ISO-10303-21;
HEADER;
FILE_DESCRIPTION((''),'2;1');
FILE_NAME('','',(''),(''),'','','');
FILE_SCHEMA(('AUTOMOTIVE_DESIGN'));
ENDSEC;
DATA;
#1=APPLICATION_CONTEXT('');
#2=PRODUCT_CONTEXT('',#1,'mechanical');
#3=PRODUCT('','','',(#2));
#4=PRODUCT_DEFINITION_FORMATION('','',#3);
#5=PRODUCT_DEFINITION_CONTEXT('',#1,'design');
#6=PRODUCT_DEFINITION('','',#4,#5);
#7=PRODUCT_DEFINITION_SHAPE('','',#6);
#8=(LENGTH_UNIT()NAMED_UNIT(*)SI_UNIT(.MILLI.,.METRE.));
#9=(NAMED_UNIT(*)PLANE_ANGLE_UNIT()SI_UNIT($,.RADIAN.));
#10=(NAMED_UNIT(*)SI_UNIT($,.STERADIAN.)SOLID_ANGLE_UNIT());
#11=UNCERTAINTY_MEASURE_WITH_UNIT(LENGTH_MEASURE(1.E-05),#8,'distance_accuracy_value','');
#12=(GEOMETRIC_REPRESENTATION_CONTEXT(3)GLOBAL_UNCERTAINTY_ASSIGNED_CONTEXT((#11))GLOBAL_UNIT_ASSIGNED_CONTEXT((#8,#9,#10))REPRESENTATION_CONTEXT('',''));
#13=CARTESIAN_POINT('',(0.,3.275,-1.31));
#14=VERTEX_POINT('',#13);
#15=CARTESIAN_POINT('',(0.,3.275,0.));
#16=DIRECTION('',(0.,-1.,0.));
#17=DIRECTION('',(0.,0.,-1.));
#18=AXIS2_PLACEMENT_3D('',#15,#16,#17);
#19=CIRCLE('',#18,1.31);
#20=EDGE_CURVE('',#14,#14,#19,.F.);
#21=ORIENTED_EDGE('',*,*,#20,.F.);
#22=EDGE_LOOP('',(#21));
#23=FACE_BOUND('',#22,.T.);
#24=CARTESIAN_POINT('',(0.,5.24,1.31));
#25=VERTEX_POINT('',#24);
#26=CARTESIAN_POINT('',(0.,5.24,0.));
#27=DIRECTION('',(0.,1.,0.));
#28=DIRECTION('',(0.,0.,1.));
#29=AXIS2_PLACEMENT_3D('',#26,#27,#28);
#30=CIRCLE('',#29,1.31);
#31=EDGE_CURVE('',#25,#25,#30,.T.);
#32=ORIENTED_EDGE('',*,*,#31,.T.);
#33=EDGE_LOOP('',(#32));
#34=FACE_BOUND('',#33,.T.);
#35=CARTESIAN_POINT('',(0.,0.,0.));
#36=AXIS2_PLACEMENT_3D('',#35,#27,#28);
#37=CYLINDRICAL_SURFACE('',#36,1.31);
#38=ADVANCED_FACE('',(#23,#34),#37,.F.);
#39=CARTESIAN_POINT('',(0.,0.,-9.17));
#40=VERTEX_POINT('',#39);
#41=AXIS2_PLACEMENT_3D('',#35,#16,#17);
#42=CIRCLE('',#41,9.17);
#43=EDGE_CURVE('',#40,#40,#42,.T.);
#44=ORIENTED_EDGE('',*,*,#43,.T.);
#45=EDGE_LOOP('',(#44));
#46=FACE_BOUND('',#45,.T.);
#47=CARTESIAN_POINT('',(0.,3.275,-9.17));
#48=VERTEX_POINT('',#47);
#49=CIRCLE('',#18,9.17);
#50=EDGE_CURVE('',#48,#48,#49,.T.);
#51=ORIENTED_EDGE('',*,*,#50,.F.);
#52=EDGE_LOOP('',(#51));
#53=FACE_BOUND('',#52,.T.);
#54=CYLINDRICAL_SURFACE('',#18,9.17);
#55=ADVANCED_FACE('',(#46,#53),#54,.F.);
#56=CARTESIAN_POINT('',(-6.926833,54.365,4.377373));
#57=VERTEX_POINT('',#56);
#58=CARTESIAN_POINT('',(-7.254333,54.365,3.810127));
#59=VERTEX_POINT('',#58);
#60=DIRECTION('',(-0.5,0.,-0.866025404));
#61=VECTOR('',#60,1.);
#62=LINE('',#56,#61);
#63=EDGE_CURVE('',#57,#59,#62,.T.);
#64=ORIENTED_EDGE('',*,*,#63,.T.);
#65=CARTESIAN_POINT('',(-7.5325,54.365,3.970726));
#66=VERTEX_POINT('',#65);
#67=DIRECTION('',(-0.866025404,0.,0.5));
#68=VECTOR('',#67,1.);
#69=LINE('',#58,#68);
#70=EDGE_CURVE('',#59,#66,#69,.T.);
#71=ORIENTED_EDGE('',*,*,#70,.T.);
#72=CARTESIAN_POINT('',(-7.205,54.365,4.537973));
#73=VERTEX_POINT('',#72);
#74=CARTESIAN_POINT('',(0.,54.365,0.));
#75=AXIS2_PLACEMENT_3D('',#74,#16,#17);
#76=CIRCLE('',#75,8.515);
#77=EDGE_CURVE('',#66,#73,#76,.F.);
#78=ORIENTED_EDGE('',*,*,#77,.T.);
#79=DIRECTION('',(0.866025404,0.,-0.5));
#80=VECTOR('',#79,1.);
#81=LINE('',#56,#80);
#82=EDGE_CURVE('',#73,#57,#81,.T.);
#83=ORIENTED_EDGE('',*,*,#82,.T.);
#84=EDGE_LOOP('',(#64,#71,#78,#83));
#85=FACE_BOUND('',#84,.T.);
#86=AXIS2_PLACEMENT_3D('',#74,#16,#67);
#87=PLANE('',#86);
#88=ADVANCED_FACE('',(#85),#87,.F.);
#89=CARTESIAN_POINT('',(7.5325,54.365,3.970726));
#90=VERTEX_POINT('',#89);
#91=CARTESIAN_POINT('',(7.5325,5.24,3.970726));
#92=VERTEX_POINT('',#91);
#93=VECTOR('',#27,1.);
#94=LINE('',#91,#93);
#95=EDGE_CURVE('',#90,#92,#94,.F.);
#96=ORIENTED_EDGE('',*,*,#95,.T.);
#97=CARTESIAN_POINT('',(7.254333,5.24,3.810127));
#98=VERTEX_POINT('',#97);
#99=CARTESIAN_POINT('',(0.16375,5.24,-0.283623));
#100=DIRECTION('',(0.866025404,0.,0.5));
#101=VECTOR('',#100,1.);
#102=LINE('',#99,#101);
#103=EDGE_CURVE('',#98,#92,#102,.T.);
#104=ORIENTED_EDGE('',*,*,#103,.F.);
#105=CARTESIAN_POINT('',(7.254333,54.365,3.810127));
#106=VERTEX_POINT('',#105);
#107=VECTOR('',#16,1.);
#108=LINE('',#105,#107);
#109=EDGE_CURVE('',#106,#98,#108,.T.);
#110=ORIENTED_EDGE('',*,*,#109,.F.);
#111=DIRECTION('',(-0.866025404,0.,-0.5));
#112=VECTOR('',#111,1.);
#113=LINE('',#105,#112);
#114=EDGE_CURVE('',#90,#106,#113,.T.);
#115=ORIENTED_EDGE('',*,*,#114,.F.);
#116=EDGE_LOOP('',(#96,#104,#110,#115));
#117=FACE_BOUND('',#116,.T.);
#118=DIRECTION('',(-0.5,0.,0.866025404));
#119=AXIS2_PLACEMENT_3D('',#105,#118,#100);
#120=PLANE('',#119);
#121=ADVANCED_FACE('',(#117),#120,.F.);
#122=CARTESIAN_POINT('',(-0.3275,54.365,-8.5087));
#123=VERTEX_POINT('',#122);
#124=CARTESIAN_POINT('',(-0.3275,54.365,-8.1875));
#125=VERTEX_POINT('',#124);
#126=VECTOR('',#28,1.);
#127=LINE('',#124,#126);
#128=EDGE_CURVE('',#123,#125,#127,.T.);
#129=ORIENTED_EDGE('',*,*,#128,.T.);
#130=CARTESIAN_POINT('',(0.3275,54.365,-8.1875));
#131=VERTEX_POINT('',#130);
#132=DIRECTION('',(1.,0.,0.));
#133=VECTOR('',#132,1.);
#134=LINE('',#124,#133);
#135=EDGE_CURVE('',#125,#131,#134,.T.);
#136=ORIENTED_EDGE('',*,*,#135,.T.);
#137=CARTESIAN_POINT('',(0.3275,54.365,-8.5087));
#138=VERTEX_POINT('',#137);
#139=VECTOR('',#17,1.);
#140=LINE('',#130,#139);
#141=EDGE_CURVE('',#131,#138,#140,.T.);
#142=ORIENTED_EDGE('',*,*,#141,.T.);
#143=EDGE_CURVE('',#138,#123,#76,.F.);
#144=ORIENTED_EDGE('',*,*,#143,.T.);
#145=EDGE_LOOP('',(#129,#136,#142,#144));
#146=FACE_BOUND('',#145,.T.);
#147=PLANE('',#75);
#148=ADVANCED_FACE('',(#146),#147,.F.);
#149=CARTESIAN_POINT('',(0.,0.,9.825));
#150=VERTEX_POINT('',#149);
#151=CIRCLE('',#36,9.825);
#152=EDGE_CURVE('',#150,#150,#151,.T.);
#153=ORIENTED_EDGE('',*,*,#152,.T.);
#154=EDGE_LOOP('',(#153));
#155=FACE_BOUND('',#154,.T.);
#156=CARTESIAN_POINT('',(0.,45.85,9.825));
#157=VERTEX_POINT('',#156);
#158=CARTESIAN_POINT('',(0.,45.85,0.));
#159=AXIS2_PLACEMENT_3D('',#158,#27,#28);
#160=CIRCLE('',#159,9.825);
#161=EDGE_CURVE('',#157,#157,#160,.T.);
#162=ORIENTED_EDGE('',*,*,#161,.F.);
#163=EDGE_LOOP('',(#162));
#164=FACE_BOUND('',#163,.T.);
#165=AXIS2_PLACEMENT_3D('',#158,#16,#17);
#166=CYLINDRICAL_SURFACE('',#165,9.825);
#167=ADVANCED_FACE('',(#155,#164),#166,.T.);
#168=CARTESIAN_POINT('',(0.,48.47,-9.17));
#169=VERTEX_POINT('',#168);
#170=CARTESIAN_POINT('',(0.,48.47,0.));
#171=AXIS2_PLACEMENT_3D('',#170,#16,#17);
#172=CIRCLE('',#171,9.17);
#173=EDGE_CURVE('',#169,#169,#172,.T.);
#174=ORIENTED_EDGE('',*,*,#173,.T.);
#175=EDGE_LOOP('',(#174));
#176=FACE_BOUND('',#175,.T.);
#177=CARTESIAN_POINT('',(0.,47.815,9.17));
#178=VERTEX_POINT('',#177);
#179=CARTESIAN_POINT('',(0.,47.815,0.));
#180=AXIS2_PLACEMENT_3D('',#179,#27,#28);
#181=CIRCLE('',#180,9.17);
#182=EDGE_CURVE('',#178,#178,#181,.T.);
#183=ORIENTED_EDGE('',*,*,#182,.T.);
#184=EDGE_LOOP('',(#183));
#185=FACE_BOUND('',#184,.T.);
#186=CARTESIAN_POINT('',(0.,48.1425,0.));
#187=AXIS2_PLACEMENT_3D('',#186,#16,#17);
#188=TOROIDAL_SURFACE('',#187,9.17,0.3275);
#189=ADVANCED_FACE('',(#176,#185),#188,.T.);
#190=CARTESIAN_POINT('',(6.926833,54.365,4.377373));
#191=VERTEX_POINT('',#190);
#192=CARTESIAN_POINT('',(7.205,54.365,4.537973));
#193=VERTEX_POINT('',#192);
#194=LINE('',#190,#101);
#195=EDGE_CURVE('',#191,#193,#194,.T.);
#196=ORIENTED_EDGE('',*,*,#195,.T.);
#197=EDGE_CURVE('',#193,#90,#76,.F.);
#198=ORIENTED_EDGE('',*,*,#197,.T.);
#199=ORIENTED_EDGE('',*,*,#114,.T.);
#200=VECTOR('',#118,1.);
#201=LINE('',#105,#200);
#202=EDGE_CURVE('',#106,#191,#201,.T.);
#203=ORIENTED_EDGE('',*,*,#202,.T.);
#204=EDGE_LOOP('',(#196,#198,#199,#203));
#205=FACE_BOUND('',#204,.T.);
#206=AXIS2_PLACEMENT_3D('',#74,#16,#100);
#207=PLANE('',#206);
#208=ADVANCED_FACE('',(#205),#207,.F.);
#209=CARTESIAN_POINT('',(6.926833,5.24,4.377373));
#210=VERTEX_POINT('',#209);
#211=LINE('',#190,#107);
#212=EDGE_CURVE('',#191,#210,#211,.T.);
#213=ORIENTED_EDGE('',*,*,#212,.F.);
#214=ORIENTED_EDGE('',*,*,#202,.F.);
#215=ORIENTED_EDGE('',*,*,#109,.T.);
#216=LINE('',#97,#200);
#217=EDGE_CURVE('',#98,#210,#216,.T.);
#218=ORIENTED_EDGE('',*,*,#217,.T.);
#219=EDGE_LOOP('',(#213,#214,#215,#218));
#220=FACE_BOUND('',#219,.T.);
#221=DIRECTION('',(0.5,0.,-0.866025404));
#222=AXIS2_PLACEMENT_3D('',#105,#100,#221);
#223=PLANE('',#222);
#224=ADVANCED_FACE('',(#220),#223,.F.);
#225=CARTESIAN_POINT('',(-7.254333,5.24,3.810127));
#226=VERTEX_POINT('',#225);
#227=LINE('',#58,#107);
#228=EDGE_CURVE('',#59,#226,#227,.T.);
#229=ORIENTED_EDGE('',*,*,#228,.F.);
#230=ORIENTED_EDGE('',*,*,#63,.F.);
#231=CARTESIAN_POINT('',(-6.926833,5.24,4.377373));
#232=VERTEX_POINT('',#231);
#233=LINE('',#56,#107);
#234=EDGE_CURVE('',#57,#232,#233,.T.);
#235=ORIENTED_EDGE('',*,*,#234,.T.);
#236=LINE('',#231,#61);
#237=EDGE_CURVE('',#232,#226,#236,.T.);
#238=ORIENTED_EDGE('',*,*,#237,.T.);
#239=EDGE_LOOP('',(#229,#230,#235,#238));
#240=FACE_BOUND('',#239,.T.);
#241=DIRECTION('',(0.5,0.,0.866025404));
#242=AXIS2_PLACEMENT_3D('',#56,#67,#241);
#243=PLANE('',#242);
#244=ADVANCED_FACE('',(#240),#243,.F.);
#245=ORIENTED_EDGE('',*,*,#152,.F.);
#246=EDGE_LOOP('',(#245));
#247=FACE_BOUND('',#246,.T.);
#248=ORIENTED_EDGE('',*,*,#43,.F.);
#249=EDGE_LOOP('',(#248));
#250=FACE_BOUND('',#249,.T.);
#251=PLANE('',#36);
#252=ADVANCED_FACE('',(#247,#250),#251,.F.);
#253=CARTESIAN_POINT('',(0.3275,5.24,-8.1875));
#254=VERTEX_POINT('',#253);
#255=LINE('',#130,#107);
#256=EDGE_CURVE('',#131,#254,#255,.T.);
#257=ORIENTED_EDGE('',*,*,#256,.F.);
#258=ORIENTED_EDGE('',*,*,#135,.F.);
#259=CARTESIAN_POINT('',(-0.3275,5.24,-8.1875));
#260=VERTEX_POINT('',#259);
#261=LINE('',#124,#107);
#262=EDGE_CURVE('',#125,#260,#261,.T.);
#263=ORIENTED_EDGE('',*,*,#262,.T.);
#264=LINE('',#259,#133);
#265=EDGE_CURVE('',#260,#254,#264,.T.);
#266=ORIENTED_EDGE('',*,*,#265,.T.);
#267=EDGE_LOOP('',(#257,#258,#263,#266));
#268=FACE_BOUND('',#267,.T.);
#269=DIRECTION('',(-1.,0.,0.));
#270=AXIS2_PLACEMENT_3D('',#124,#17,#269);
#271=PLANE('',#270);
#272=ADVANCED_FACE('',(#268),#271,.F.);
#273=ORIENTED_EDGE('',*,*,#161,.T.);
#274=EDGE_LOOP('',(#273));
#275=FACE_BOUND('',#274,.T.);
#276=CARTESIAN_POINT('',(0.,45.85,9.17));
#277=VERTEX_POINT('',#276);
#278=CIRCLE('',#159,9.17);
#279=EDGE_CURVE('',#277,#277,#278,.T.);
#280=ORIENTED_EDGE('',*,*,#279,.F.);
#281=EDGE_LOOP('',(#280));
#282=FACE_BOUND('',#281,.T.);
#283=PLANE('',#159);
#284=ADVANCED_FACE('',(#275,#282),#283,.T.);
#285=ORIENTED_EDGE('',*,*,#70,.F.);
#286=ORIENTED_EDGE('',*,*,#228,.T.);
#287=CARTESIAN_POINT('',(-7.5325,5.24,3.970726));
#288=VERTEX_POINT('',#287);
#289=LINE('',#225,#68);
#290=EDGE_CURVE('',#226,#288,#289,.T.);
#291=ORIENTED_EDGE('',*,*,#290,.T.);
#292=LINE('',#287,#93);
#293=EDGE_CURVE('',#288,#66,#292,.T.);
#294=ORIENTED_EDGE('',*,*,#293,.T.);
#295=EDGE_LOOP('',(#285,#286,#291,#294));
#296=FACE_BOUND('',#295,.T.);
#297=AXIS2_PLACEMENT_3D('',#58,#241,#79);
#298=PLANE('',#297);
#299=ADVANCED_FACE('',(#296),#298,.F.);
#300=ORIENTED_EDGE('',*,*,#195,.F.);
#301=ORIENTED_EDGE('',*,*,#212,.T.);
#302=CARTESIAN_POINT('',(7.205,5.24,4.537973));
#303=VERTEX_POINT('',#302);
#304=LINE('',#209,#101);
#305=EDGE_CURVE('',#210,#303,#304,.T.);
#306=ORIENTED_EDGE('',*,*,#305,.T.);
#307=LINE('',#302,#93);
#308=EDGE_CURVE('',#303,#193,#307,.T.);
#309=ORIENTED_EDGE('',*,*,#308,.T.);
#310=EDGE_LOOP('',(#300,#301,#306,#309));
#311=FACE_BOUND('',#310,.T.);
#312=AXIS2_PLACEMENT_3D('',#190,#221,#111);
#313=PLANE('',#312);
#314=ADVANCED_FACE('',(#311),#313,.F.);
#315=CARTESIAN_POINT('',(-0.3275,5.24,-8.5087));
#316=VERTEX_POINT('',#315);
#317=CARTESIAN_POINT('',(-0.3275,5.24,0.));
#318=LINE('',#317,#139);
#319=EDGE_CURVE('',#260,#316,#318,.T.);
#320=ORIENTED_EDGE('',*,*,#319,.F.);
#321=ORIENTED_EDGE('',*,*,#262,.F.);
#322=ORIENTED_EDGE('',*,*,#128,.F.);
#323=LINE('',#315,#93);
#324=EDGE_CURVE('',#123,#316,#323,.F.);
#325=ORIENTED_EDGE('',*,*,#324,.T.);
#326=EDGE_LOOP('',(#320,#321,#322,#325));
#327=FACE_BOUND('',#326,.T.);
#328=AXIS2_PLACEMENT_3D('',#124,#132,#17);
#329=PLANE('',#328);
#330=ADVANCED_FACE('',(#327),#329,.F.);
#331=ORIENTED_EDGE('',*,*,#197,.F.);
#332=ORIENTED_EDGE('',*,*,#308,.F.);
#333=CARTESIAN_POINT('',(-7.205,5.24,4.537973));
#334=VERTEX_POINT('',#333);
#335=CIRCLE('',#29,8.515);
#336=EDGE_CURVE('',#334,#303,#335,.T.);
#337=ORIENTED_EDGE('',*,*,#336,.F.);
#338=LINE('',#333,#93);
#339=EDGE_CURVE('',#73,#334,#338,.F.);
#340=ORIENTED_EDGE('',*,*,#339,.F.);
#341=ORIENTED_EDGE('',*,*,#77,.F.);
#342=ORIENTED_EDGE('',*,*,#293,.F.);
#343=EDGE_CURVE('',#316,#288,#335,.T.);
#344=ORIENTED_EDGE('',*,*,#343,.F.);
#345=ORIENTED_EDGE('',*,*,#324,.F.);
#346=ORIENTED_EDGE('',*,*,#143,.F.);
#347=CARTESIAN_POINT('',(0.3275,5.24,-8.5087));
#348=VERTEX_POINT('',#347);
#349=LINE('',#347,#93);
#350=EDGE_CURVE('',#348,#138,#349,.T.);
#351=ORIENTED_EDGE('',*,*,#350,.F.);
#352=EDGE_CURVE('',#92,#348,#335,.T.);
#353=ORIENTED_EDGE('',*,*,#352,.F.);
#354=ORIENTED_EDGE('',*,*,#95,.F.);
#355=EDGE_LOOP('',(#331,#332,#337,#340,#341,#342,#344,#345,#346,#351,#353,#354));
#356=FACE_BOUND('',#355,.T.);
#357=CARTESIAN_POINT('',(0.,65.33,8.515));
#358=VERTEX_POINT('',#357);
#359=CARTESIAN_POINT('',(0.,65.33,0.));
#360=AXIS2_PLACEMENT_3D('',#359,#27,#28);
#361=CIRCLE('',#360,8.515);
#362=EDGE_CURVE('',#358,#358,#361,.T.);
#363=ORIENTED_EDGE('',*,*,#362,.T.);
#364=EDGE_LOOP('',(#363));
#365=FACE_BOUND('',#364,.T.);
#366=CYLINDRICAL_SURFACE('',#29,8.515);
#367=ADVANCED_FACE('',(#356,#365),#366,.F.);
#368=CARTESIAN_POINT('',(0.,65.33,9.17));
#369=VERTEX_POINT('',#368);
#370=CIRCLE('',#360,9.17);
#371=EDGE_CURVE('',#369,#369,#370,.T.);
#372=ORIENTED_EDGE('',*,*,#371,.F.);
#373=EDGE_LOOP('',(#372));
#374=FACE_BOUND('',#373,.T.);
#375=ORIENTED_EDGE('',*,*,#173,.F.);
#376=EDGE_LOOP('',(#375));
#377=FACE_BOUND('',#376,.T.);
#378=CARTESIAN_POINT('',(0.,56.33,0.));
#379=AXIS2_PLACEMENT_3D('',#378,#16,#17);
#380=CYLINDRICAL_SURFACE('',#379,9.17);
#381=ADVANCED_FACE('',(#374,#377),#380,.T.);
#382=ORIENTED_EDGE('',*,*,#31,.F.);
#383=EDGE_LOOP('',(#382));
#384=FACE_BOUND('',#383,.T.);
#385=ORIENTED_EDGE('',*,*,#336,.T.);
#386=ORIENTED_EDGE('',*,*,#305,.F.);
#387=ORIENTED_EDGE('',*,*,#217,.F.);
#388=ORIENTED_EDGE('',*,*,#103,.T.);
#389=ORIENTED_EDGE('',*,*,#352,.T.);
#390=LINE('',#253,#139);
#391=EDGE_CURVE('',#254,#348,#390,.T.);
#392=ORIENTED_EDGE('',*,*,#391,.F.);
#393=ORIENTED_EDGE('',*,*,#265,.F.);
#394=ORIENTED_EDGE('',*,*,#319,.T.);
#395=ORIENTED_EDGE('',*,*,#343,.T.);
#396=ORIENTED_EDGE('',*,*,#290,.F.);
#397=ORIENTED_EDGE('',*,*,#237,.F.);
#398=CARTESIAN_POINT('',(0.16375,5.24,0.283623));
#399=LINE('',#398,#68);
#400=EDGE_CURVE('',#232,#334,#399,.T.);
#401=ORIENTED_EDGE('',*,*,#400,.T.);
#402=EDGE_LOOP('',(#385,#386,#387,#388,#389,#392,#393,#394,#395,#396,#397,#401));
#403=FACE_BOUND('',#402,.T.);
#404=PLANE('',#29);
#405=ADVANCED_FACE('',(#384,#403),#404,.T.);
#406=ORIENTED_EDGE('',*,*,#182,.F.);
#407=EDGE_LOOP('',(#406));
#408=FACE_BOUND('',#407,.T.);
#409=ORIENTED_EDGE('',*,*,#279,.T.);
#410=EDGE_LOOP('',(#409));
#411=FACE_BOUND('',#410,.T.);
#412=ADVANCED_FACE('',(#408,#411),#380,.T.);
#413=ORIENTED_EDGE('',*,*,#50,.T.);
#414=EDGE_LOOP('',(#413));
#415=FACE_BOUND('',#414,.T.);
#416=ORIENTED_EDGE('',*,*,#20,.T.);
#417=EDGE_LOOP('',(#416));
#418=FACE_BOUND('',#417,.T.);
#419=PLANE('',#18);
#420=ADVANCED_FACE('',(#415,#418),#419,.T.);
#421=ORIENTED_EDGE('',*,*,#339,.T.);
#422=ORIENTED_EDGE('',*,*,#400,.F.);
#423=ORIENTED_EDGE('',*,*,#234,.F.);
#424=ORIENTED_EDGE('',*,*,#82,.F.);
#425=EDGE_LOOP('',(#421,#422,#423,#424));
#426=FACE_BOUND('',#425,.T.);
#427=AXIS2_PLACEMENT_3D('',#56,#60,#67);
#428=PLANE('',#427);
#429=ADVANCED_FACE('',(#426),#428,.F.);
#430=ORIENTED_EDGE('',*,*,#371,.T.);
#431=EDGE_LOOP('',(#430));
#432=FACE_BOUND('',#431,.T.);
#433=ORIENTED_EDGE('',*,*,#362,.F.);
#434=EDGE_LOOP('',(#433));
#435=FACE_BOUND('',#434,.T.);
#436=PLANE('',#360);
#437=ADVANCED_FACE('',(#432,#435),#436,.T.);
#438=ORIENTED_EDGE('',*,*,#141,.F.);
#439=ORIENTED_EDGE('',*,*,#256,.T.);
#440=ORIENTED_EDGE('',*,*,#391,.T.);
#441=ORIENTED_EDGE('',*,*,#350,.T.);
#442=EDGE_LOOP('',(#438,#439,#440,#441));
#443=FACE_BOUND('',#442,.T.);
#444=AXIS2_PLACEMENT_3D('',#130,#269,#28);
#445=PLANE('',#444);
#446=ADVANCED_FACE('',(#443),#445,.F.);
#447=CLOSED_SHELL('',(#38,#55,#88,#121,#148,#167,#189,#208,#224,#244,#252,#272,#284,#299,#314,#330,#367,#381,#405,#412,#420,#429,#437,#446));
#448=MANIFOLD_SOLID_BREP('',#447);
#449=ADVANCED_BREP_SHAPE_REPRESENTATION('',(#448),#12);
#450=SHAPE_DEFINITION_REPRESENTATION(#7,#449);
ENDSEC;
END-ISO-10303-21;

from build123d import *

# Parameters (mm, degrees)
SKETCH1_R           = 15
BOSS_EXTRUDE1_DEPTH = 70
SKETCH2_R           = 14
BOSS_EXTRUDE2_DEPTH = 16
SKETCH3_R           = 0.5
SKETCH4_R           = 13
CUT_EXTRUDE1_DEPTH  = 78
SKETCH5_R           = 2
CUT_EXTRUDE2_DEPTH  = 9
SKETCH6_W           = 1
SKETCH6_H           = 0.792029488
BOSS_EXTRUDE3_DEPTH = 75
CIRPATTERN1_COUNT   = 3
SKETCH7_R           = 14
CUT_EXTRUDE3_DEPTH  = 5
SCALE1_SCALE        = 0.655
SKETCH8_R           = 9.17
SKETCH8_R_2         = 8.515
BOSS_EXTRUDE4_DEPTH = 9


with BuildPart() as part:
    # Sketch1 → Boss-Extrude1 (new body)
    with BuildSketch(Plane(origin=(0, 0, 0), x_dir=(1, 0, 0), z_dir=(0, 1, 0))):
        Circle(SKETCH1_R)
    extrude(amount=BOSS_EXTRUDE1_DEPTH)

    # Sketch2 → Boss-Extrude2 (add)
    with BuildSketch(Plane(origin=(0, 70, 0), x_dir=(1, 0, 0), z_dir=(0, 1, 0))):
        Circle(SKETCH2_R)
    extrude(amount=BOSS_EXTRUDE2_DEPTH)

    # Sketch3 → Revolve1 (revolve)
    with BuildSketch(Plane.XY):
        with Locations((-14, 73.5)):
            Circle(SKETCH3_R)
    revolve(axis=Axis((0, 70, 0), (0, 1, 0)))

    # Sketch4 → Cut-Extrude1 (cut)
    with BuildSketch(Plane(origin=(0, 86, 0), x_dir=(1, 0, 0), z_dir=(0, 1, 0))):
        Circle(SKETCH4_R)
    extrude(amount=-CUT_EXTRUDE1_DEPTH, mode=Mode.SUBTRACT)

    # Sketch5 → Cut-Extrude2 (cut, through all)
    with BuildSketch(Plane(origin=(0, 8, 0), x_dir=(1, 0, 0), z_dir=(0, 1, 0))):
        Circle(SKETCH5_R)
    extrude(amount=-CUT_EXTRUDE2_DEPTH, mode=Mode.SUBTRACT)

    # Sketch6 → Boss-Extrude3 (add)
    with BuildSketch(Plane(origin=(0, 8, 0), x_dir=(1, 0, 0), z_dir=(0, 1, 0))):
        with Locations((0, 12.896014744)):
            Rectangle(SKETCH6_W, SKETCH6_H)
    boss_extrude3 = extrude(amount=BOSS_EXTRUDE3_DEPTH)

    # CirPattern1: Boss-Extrude3 ×3 about axis
    cirpattern1_axis = Axis((0, 0, 0), (0, 1, 0))
    for i in range(1, CIRPATTERN1_COUNT):
        add(boss_extrude3.rotate(cirpattern1_axis, i * 360 / CIRPATTERN1_COUNT))

    # Sketch7 → Cut-Extrude3 (cut)
    with BuildSketch(Plane.XZ):
        Circle(SKETCH7_R)
    extrude(amount=-CUT_EXTRUDE3_DEPTH, mode=Mode.SUBTRACT)


with BuildPart() as part_1:
    # Scale1: scaled about (0, 0, 0)
    add(part.part.scale(SCALE1_SCALE))

    # Sketch8 → Boss-Extrude4 (add)
    with BuildSketch(Plane(origin=(0, 56.33, 0), x_dir=(1, 0, 0), z_dir=(0, 1, 0))):
        Circle(SKETCH8_R)
        Circle(SKETCH8_R_2, mode=Mode.SUBTRACT)
    extrude(amount=BOSS_EXTRUDE4_DEPTH)


solid = part_1.part
